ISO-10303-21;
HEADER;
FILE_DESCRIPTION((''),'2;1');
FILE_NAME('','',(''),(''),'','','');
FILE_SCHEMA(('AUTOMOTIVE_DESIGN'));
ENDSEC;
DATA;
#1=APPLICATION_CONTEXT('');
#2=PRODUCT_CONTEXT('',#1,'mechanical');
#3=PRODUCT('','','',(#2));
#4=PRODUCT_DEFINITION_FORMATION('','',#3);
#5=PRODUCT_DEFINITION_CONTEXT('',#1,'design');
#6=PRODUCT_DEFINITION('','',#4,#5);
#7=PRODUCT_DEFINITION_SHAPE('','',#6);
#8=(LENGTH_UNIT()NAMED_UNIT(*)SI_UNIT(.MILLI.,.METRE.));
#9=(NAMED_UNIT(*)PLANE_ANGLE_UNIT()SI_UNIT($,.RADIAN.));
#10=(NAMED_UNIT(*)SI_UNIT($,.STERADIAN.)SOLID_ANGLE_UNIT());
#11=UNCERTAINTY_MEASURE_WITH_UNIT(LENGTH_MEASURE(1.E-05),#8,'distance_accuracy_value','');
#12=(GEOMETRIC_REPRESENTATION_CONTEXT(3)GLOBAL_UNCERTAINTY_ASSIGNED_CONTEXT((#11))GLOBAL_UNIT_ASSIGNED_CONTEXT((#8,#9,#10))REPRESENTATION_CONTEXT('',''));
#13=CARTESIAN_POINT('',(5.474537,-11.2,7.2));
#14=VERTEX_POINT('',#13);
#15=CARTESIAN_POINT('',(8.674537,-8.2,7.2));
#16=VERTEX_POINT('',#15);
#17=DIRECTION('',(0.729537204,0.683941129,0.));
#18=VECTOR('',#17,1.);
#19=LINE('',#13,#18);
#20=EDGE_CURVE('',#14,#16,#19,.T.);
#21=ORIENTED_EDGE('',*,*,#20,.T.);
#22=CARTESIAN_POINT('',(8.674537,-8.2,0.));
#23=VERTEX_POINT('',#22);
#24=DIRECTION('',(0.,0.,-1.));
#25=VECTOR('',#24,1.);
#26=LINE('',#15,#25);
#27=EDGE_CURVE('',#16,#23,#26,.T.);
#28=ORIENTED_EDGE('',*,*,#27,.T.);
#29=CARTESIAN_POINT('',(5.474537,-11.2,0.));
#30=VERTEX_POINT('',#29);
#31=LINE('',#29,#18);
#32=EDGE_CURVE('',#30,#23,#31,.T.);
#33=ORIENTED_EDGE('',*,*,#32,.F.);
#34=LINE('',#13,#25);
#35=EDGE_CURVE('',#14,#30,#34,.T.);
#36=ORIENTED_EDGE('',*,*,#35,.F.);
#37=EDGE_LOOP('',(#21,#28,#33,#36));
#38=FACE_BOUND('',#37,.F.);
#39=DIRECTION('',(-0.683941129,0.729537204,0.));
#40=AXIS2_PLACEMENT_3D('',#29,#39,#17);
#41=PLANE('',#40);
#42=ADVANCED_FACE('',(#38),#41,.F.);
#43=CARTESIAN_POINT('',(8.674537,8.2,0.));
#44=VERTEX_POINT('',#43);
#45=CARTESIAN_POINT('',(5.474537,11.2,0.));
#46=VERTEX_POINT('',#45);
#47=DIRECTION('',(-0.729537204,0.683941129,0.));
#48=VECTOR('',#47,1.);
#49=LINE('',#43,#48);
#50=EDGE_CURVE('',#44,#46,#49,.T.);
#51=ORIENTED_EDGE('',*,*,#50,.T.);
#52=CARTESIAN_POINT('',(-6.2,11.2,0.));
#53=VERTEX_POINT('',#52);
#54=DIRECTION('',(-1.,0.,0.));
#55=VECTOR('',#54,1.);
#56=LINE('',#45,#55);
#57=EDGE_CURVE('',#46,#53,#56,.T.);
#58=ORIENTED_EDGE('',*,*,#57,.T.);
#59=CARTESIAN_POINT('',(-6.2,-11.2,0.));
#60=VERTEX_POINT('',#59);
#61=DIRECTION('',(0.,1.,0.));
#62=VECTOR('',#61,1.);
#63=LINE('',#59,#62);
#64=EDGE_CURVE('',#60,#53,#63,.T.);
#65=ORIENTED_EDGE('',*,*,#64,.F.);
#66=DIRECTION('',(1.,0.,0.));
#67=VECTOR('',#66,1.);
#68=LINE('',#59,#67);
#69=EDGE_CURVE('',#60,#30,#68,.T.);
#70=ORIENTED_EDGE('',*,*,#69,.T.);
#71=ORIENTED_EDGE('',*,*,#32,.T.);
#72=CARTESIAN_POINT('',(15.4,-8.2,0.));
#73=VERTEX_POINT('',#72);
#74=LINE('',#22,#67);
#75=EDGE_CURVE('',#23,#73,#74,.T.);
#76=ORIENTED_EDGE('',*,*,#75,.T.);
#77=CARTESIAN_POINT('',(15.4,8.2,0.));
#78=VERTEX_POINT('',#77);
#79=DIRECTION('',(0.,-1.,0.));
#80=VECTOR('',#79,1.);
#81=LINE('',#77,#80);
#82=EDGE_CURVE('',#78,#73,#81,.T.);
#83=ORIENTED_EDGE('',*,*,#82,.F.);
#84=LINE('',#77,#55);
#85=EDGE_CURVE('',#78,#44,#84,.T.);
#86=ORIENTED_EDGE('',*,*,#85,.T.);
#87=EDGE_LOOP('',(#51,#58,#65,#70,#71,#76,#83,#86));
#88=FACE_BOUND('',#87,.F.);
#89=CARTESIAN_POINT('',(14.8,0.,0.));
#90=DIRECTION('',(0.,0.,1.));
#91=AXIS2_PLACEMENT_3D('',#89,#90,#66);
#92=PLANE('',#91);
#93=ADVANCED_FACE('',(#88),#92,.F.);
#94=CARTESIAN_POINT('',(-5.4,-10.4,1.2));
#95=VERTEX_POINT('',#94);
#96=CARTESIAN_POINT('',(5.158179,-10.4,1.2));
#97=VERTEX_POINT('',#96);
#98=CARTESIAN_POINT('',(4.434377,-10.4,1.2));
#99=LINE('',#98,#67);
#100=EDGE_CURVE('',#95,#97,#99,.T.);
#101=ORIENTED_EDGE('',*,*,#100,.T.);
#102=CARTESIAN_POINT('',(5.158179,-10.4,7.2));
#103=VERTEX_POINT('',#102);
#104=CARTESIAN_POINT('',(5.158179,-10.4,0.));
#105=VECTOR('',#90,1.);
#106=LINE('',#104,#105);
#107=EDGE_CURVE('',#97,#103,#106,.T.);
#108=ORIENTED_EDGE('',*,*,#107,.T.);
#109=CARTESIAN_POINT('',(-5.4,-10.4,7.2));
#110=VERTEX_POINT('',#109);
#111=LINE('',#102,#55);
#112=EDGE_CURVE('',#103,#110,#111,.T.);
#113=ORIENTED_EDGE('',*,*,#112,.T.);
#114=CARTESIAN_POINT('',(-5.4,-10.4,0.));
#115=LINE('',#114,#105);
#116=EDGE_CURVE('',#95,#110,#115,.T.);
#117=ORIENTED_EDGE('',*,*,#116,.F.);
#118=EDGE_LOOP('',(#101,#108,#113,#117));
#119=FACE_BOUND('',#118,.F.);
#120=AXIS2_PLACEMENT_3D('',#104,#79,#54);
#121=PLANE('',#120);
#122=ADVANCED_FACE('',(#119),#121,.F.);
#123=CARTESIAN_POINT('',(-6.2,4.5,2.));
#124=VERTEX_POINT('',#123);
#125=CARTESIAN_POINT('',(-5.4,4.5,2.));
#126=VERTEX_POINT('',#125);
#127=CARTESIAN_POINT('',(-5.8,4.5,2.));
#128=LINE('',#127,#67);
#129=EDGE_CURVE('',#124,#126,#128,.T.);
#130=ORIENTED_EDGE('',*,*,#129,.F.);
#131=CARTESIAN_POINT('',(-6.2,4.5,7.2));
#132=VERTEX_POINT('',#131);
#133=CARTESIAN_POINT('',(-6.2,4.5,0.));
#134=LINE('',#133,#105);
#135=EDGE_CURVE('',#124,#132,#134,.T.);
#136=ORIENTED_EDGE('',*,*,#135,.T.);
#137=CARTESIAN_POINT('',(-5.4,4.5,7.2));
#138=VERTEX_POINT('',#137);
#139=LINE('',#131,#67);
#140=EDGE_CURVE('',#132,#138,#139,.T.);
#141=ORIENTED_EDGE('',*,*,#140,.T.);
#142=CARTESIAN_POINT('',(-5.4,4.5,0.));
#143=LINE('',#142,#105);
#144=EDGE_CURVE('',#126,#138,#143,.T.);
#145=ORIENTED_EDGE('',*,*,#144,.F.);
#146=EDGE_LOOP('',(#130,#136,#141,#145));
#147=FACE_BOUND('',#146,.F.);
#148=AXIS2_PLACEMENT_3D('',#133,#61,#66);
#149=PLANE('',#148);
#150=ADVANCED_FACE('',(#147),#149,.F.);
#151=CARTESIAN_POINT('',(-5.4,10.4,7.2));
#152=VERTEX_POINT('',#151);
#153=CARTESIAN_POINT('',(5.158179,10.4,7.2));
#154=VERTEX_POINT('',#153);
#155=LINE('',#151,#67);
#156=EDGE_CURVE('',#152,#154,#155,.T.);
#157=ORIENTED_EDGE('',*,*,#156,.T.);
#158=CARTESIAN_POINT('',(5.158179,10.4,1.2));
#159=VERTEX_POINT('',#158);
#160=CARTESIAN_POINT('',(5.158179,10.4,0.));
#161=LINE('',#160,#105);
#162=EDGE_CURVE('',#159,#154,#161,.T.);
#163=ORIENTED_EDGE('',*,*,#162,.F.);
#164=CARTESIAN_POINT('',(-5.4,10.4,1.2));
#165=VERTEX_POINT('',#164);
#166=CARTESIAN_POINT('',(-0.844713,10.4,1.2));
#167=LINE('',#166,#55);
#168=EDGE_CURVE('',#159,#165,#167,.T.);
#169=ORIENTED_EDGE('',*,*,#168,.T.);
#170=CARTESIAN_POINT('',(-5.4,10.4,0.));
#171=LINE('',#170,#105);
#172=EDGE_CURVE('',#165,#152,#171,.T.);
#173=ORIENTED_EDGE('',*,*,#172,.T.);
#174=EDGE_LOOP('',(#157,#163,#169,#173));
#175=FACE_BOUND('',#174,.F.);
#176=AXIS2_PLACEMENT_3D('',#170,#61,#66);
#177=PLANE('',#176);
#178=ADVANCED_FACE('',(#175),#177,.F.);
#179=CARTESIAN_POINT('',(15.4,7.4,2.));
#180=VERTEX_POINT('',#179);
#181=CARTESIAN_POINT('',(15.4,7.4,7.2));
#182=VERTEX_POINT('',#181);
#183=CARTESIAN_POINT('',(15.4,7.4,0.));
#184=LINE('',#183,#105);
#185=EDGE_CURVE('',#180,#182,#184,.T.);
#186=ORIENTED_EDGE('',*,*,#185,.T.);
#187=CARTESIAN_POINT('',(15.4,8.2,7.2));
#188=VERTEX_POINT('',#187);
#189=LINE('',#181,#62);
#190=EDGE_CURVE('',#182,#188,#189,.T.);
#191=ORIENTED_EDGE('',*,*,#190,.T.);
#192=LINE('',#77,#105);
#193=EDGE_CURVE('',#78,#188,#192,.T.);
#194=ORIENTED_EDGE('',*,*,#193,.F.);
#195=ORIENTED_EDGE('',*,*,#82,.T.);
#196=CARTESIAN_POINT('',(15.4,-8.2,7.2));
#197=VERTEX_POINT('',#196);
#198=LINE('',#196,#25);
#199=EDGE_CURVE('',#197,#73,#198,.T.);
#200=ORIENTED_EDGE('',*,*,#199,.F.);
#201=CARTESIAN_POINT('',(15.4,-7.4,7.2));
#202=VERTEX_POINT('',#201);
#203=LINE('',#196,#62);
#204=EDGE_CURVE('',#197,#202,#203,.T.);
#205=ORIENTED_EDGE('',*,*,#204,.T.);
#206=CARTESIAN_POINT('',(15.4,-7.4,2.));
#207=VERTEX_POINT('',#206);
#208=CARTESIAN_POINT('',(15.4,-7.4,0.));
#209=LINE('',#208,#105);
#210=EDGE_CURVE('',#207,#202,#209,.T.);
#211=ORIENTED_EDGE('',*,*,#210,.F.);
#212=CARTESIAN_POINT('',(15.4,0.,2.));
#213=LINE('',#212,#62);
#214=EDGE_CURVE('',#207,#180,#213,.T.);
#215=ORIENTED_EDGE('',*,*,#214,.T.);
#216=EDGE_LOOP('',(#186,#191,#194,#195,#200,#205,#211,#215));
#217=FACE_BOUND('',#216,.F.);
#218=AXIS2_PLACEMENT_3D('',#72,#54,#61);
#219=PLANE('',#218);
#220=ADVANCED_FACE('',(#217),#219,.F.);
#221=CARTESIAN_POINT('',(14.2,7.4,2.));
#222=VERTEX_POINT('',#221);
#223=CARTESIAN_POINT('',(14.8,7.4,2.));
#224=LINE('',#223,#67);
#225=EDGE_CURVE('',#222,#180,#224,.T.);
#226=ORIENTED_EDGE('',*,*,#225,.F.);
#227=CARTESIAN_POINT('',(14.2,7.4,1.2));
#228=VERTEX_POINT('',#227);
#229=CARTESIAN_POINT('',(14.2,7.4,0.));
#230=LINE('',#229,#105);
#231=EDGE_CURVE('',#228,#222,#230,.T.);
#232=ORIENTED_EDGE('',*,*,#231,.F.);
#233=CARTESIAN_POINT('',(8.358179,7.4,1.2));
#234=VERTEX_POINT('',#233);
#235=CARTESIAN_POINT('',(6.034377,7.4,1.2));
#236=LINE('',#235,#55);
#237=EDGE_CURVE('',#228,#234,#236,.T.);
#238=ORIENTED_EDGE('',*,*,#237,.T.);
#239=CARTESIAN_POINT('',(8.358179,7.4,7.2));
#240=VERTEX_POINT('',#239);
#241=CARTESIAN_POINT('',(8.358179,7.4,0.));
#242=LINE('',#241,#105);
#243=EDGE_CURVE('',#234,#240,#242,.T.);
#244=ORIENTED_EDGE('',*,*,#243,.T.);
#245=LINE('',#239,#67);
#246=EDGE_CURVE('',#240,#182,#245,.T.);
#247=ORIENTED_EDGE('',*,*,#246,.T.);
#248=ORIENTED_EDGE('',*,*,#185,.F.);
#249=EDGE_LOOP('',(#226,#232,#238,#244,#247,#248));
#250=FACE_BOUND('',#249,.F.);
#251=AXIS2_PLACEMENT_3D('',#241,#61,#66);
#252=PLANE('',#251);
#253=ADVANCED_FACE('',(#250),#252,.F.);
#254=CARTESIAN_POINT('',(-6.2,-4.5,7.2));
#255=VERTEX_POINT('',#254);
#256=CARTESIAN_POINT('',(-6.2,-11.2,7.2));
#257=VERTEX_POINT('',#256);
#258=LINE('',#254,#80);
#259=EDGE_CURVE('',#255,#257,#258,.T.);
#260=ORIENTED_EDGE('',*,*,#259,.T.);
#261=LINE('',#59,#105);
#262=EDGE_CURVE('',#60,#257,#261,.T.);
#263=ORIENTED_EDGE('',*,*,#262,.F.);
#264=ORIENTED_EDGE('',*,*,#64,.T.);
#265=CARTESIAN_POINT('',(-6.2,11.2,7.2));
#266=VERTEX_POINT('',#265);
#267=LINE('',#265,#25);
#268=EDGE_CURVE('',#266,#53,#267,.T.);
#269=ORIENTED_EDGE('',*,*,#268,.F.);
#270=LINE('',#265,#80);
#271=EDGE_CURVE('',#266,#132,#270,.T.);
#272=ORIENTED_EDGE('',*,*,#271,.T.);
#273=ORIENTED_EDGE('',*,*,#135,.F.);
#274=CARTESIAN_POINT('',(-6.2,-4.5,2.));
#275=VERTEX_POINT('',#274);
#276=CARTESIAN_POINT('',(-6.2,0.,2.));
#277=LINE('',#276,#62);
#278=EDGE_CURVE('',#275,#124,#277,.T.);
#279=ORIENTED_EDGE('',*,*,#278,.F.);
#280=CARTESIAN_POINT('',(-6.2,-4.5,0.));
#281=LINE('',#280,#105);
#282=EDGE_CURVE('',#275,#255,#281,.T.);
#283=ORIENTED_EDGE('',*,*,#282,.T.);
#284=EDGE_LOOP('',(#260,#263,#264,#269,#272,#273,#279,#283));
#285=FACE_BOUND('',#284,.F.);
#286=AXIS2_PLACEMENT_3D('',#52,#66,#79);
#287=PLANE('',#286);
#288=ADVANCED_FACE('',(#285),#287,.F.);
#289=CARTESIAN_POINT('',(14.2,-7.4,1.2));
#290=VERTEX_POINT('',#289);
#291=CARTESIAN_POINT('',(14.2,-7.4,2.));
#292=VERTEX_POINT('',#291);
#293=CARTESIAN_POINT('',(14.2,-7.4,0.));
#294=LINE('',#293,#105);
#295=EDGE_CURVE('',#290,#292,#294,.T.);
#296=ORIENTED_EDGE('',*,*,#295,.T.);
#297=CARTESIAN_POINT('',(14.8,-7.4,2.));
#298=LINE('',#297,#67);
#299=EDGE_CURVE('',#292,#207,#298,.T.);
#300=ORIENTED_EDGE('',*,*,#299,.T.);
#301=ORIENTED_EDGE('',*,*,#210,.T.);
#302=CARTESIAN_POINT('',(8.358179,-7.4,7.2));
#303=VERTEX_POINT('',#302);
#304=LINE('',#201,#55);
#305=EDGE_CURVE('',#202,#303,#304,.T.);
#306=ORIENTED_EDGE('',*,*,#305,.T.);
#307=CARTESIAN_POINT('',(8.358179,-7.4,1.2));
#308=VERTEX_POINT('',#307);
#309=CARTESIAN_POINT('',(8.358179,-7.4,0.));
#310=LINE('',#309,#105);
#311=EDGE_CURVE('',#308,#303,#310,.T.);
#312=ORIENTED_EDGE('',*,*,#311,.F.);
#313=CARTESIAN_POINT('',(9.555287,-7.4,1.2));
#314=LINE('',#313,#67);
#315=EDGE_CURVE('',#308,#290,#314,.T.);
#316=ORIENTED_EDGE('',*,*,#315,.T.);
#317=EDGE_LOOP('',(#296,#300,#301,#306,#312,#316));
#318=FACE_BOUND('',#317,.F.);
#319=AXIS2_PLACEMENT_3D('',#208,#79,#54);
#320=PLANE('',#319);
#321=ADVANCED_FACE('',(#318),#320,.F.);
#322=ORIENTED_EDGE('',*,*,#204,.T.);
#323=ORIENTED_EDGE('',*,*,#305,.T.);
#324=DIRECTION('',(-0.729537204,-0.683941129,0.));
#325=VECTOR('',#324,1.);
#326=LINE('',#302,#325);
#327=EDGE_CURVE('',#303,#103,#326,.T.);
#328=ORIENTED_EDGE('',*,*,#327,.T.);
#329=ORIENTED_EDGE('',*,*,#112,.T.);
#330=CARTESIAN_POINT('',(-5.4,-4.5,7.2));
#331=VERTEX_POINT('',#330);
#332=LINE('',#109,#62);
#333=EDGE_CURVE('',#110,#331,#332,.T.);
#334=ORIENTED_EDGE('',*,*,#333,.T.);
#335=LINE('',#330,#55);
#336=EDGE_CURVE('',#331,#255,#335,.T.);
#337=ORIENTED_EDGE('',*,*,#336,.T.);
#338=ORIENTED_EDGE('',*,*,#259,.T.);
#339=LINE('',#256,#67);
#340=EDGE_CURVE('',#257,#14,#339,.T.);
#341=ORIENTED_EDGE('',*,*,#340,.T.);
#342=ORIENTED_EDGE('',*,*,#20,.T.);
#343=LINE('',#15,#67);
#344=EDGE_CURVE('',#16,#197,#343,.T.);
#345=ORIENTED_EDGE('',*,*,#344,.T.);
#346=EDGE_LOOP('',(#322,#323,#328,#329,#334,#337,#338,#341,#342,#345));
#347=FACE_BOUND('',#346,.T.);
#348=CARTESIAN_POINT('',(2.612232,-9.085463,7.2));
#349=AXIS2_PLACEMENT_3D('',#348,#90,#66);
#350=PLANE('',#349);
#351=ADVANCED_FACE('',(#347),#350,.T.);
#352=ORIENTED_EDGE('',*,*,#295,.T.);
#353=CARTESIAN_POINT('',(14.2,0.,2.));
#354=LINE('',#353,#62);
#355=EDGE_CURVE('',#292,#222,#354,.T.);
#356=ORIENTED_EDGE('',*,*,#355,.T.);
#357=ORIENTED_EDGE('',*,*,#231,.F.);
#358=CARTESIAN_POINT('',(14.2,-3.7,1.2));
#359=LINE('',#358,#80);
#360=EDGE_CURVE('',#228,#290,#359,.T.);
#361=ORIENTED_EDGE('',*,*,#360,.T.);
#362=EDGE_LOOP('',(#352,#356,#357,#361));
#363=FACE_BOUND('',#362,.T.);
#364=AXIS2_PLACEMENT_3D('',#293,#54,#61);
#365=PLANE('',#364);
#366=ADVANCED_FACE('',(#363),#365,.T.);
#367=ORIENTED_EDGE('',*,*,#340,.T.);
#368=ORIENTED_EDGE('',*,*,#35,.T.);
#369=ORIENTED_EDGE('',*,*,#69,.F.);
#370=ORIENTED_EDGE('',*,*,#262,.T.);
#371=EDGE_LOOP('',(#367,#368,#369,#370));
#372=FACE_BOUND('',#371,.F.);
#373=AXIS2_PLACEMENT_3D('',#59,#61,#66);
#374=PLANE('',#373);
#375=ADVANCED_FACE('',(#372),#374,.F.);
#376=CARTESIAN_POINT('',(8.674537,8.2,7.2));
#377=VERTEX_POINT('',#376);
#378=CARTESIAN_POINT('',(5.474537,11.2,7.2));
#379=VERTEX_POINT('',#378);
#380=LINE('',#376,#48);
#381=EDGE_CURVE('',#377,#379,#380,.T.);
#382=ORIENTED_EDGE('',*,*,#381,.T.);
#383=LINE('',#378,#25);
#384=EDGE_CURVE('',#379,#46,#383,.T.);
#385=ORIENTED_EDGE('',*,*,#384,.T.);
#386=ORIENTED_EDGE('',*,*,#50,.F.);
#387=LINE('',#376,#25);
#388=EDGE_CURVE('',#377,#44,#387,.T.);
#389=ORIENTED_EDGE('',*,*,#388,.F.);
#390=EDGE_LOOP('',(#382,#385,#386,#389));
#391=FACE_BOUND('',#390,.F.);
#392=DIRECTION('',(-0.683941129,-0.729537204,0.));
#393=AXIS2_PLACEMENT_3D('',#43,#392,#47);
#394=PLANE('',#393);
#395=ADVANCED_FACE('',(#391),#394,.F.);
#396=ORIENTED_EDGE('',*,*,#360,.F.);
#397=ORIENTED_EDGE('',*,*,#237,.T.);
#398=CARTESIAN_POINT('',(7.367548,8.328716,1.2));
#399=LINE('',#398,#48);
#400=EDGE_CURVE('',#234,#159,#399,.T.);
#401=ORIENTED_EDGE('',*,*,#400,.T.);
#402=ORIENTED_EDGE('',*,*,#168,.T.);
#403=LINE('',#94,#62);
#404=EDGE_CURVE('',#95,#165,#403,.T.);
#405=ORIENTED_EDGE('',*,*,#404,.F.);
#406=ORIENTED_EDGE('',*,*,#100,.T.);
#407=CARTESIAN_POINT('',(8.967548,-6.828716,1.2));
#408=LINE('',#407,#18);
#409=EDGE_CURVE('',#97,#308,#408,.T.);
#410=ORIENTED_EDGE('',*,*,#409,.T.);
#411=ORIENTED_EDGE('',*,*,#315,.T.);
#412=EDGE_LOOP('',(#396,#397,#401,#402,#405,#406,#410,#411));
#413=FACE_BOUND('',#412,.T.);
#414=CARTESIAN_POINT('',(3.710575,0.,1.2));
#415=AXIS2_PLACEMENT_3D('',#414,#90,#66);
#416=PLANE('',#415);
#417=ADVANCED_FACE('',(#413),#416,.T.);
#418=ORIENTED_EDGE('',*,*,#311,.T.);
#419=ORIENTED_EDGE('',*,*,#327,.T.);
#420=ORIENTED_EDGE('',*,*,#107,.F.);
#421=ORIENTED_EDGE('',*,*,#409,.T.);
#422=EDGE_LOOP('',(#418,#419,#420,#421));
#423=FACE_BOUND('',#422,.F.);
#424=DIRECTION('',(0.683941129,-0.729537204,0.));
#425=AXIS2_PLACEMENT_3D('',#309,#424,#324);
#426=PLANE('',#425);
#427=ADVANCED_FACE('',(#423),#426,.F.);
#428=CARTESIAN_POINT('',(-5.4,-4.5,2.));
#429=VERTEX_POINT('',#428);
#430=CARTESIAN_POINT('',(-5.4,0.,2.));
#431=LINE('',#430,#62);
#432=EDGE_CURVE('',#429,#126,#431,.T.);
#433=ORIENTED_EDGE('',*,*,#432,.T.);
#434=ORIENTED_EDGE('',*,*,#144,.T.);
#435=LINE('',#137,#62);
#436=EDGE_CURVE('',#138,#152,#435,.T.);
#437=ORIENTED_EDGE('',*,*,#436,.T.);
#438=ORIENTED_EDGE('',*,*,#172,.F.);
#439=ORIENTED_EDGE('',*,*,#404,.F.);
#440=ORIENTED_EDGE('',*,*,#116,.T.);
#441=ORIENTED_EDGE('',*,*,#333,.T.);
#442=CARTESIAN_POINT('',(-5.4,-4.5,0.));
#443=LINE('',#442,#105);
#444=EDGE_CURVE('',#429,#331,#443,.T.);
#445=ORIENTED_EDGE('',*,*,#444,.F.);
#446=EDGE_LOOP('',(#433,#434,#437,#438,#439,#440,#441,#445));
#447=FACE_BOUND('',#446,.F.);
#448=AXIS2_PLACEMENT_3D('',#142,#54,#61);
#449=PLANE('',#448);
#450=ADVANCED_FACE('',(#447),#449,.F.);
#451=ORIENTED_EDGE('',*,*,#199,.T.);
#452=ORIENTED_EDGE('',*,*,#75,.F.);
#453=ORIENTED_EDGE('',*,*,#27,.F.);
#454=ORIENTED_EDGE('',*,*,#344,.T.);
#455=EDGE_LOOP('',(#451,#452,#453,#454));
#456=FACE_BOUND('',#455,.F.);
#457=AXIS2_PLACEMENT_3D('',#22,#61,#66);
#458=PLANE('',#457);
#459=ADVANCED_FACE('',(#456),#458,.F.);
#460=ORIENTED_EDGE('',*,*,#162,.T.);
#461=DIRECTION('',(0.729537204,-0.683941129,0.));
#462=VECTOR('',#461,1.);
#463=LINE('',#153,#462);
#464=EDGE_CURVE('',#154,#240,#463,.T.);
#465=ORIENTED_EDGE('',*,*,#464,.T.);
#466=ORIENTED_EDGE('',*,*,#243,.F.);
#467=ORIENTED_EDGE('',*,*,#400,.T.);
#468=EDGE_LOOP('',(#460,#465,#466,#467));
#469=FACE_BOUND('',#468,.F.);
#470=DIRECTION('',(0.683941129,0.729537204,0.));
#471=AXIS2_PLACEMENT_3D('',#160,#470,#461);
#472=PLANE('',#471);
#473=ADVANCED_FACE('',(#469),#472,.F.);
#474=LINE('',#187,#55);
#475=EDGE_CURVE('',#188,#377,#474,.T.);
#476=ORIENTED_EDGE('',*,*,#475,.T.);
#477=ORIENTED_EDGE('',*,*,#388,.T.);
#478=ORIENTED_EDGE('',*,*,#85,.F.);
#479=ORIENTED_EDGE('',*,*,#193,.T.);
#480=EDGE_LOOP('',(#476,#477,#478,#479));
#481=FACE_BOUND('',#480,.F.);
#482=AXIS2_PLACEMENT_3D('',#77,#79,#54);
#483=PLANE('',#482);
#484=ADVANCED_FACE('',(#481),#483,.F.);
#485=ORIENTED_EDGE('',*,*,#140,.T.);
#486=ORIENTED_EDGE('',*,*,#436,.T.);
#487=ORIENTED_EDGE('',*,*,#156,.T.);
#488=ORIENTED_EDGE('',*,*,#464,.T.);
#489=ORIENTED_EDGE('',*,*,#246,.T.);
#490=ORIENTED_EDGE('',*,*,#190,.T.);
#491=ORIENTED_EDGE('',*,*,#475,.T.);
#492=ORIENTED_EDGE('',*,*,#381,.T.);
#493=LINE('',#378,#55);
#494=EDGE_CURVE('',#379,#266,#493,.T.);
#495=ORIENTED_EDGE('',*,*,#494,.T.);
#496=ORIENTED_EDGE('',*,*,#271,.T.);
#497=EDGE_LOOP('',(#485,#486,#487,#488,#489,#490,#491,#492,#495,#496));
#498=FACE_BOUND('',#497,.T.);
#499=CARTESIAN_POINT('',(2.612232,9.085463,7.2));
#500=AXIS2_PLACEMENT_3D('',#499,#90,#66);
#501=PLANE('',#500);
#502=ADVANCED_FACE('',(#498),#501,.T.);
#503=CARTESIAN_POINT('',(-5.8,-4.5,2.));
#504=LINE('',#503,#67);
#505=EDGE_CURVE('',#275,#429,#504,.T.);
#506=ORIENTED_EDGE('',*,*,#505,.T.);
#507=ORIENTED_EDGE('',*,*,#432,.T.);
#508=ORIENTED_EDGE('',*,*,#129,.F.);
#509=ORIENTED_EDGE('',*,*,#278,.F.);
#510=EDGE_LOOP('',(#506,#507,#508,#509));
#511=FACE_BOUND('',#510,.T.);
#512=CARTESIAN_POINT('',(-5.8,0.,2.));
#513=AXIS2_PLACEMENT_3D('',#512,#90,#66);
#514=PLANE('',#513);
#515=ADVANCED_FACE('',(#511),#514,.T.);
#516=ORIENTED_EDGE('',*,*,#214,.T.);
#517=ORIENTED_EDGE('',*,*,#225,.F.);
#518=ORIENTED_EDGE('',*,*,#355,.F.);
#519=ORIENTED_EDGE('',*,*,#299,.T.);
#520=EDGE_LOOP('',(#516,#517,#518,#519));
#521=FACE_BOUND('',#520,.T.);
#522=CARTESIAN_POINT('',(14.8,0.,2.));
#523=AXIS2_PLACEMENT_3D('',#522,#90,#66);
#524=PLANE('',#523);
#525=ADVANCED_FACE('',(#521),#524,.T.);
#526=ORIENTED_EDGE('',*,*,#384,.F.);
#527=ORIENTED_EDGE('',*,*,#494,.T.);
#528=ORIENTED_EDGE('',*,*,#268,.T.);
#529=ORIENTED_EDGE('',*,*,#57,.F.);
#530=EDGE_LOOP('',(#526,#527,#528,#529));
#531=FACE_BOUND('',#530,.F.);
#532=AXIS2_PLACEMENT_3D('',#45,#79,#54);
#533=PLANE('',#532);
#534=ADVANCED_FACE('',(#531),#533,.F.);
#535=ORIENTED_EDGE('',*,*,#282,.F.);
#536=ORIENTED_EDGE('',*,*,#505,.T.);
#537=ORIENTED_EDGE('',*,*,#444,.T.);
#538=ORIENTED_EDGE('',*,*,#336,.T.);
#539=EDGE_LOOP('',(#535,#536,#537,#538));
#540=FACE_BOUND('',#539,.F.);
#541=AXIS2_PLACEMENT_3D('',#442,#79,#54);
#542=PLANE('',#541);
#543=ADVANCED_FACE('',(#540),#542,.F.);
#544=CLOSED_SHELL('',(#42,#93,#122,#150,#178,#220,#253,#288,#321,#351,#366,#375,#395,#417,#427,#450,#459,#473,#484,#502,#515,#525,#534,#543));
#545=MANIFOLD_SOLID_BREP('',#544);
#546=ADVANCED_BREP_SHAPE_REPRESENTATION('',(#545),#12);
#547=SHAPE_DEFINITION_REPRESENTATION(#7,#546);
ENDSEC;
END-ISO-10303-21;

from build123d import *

# Parameters (mm, degrees)
F0_W     = 0.8
F0_H     = 9
F0_W_2   = 1.2
F0_H_2   = 14.8
F1_DEPTH = 1.2
F2_DEPTH = 2
F3_DEPTH = 2
F4_DEPTH = 7.2


with BuildPart() as f1:
    # F0 (on Top) → F1 (new body)
    with BuildSketch(Plane.XY):
        Polygon((14.2, -7.4), (14.2, 7.4), (8.358179, 7.4), (5.158179, 10.4), (-5.4, 10.4), (-5.4, 4.5), (-5.4, -4.5), (-5.4, -10.4), (5.158179, -10.4), (8.358179, -7.4), align=None)
        Polygon((15.4, 8.2), (8.674537, 8.2), (5.474537, 11.2), (-6.2, 11.2), (-6.2, 4.5), (-5.4, 4.5), (-5.4, 10.4), (5.158179, 10.4), (8.358179, 7.4), (14.2, 7.4), (15.4, 7.4), align=None)
        with Locations((-5.8, 0)):
            Rectangle(F0_W, F0_H)
        Polygon((15.4, -8.2), (15.4, -7.4), (14.2, -7.4), (8.358179, -7.4), (5.158179, -10.4), (-5.4, -10.4), (-5.4, -4.5), (-6.2, -4.5), (-6.2, -11.2), (5.474537, -11.2), (8.674537, -8.2), align=None)
        with Locations((14.8, 0)):
            Rectangle(F0_W_2, F0_H_2)
    extrude(amount=F1_DEPTH)

    # F0 (on Top) → F2 (join)
    with BuildSketch(Plane.XY):
        with Locations((-5.8, 0)):
            Rectangle(F0_W, F0_H)
    extrude(amount=F2_DEPTH)

    # F0 (on Top) → F3 (join)
    with BuildSketch(Plane.XY):
        with Locations((14.8, 0)):
            Rectangle(F0_W_2, F0_H_2)
    extrude(amount=F3_DEPTH)

    # F0 (on Top) → F4 (join)
    with BuildSketch(Plane.XY):
        Polygon((15.4, 8.2), (8.674537, 8.2), (5.474537, 11.2), (-6.2, 11.2), (-6.2, 4.5), (-5.4, 4.5), (-5.4, 10.4), (5.158179, 10.4), (8.358179, 7.4), (14.2, 7.4), (15.4, 7.4), align=None)
        Polygon((15.4, -8.2), (15.4, -7.4), (14.2, -7.4), (8.358179, -7.4), (5.158179, -10.4), (-5.4, -10.4), (-5.4, -4.5), (-6.2, -4.5), (-6.2, -11.2), (5.474537, -11.2), (8.674537, -8.2), align=None)
    extrude(amount=F4_DEPTH)


solid = f1.part
